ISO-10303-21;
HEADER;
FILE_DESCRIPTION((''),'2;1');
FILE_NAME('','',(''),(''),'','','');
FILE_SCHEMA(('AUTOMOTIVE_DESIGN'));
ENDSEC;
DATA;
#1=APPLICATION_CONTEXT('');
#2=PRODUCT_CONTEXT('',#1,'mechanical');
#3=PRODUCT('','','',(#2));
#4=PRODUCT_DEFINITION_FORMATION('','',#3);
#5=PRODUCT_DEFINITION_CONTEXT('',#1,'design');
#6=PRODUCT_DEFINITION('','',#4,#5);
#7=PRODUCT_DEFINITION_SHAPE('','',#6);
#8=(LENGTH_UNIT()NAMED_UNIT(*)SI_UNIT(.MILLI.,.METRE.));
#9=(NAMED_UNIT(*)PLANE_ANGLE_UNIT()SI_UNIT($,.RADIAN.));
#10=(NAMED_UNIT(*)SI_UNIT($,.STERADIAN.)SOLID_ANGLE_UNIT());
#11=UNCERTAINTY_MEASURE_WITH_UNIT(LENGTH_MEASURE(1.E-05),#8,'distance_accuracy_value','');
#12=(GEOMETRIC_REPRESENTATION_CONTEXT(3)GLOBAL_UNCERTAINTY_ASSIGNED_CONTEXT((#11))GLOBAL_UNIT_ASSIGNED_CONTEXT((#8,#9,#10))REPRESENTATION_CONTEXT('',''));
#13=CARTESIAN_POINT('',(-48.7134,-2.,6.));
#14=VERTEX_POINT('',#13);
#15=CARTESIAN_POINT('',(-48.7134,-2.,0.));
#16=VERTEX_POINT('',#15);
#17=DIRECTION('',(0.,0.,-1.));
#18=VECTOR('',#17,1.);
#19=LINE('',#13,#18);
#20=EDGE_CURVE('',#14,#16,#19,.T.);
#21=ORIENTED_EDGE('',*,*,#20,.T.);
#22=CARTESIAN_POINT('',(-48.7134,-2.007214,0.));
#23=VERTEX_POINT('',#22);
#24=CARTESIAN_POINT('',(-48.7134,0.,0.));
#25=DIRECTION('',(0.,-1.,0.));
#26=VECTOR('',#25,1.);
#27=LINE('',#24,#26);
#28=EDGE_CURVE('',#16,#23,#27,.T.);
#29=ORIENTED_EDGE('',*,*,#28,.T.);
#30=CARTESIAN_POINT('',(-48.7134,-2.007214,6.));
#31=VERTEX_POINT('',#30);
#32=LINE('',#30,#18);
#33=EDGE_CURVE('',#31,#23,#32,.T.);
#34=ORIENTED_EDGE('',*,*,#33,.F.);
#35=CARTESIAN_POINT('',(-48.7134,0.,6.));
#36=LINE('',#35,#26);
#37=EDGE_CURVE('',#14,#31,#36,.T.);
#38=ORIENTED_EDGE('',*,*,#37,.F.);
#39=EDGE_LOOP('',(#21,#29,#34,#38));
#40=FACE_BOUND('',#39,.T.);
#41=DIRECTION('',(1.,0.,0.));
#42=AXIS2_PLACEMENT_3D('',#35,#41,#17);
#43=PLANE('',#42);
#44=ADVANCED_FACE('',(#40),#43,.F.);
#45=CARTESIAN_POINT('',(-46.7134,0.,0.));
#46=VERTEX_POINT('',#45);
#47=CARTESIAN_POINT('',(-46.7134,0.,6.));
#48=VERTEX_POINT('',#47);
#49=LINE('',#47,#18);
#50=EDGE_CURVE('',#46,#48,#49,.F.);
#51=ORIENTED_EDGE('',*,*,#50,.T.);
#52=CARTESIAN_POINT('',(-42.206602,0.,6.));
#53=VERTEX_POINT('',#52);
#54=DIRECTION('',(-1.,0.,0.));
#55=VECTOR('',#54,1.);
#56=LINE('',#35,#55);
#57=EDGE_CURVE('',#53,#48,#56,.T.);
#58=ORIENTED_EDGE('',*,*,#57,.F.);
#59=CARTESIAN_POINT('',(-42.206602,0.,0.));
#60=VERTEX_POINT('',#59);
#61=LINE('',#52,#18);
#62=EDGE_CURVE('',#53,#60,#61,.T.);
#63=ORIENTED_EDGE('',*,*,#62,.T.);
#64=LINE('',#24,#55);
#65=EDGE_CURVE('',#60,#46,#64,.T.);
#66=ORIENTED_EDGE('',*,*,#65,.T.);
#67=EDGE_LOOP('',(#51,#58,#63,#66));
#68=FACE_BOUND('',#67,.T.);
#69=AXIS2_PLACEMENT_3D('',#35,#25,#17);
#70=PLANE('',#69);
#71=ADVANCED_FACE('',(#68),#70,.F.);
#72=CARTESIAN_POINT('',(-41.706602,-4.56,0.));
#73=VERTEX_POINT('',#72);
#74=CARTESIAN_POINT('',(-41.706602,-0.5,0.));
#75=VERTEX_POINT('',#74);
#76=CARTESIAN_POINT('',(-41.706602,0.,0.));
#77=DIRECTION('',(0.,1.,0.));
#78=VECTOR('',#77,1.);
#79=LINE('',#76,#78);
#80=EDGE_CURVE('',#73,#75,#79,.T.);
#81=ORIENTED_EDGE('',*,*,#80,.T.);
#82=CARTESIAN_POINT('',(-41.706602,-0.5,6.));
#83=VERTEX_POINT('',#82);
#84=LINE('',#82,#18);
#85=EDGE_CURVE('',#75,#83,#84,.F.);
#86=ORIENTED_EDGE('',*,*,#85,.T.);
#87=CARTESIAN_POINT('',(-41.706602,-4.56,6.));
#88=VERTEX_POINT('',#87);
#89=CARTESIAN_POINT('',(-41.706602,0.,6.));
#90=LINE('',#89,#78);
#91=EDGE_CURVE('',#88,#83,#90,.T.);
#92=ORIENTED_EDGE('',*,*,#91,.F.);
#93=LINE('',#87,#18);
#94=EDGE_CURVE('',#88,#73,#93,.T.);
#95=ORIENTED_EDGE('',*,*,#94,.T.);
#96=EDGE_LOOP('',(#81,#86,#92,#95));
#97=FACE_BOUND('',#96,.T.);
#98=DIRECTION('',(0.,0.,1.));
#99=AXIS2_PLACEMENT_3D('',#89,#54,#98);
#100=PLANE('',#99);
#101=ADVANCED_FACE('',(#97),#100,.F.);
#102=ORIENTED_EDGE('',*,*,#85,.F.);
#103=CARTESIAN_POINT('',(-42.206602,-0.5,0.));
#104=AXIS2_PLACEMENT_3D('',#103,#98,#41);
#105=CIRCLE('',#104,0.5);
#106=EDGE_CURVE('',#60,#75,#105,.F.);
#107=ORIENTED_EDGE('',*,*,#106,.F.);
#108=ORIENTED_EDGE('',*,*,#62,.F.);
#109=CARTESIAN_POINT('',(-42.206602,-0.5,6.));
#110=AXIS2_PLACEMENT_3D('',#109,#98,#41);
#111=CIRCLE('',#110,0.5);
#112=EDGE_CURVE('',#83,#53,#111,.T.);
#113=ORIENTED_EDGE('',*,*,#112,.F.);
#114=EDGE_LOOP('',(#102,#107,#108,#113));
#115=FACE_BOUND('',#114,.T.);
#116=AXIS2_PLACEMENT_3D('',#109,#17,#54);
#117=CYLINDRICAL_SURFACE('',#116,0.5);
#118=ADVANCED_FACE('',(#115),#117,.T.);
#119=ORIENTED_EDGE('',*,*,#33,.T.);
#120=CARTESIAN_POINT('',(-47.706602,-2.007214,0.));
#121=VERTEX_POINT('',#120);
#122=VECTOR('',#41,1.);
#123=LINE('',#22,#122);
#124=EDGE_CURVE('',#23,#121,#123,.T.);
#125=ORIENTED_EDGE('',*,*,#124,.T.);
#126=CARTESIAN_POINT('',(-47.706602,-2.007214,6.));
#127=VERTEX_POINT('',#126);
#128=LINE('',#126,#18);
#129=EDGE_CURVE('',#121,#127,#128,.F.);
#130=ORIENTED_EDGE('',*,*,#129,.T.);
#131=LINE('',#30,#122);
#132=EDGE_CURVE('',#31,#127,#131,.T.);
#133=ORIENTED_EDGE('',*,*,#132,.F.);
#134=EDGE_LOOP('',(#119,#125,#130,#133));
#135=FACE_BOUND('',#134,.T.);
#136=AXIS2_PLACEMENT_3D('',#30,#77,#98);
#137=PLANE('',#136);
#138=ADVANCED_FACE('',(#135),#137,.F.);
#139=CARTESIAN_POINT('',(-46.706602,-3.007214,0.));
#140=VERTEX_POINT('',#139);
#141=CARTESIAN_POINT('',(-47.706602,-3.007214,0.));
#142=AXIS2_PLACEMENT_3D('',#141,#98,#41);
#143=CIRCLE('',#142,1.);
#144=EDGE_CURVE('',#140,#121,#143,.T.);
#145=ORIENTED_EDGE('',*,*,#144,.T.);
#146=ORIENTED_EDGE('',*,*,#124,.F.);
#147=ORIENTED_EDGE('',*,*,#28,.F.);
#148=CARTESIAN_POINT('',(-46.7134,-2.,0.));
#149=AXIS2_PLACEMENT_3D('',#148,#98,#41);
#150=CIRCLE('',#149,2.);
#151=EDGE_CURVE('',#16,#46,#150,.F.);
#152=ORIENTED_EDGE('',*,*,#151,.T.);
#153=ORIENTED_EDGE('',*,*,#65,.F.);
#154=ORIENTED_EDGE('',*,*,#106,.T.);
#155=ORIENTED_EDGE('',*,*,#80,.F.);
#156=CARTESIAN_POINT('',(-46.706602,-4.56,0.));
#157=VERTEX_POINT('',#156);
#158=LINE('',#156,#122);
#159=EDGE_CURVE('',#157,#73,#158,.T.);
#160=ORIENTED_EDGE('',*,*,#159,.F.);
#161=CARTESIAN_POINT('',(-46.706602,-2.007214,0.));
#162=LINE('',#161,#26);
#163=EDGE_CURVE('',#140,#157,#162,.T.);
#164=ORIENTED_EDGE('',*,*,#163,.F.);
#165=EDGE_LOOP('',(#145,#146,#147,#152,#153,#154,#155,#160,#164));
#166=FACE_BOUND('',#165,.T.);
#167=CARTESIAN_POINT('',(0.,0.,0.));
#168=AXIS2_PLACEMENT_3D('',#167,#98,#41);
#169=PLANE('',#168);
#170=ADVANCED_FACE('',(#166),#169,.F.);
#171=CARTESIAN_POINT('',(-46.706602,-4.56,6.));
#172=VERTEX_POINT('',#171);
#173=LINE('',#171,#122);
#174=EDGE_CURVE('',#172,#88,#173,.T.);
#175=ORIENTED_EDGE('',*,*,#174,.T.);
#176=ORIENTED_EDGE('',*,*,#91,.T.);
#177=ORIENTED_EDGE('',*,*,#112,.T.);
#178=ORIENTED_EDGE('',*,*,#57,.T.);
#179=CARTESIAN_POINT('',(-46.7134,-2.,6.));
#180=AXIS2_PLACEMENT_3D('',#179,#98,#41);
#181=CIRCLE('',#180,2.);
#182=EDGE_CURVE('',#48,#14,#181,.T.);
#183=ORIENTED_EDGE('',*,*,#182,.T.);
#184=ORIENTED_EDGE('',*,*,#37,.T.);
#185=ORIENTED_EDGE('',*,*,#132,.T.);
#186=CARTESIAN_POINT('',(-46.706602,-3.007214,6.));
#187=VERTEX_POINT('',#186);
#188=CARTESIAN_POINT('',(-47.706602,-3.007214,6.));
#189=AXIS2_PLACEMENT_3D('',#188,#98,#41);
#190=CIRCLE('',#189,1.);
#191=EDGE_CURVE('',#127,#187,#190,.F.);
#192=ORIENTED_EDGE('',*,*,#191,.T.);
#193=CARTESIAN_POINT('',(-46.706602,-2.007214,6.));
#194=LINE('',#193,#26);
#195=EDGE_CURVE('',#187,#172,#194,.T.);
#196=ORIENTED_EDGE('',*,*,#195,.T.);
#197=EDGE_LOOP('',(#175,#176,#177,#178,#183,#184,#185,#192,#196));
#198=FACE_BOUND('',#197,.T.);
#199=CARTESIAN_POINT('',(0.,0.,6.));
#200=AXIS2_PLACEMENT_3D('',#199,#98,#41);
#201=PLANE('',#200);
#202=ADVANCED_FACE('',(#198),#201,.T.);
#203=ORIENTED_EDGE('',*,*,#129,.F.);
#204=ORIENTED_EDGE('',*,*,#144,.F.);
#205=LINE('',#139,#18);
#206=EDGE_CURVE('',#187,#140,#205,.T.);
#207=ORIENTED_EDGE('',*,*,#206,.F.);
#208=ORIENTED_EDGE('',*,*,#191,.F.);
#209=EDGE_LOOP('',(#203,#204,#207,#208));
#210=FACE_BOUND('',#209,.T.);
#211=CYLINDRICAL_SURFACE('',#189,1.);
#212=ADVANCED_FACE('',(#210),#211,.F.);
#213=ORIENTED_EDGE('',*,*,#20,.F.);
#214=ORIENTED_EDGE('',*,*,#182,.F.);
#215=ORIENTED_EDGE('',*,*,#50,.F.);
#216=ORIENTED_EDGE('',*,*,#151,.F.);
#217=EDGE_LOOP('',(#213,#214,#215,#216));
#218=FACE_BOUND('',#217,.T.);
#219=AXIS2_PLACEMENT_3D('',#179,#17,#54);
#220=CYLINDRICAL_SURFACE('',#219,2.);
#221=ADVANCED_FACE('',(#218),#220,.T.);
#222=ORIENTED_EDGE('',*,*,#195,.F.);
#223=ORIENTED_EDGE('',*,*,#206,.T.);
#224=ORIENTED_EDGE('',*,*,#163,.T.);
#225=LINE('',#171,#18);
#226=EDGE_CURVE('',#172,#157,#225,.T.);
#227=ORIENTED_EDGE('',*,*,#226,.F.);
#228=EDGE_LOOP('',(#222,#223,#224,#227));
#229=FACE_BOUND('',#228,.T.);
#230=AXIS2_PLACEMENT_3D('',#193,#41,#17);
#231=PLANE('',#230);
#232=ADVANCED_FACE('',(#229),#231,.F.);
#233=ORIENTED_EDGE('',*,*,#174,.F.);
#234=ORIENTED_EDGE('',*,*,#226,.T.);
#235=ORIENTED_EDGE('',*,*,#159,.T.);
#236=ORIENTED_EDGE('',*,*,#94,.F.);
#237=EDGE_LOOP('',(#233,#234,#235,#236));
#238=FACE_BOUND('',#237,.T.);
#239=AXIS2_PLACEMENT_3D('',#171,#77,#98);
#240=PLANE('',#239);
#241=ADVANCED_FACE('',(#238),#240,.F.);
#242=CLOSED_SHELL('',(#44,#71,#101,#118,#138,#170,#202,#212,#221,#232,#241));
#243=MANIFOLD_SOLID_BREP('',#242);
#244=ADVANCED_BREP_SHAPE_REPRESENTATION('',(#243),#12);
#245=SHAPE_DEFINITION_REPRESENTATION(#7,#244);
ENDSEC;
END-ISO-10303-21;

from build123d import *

# Parameters (mm, degrees)
EXTRUDE_1_DEPTH = 6
FILLET_1_R      = 0.5
FILLET_2_R      = 2
FILLET_3_R      = 1


with BuildPart() as part:
    # 草圖1 → 填料-伸長1 (new body)
    with BuildSketch(Plane.XY):
        Polygon((-48.713400366, 0), (-41.70660185, 0), (-41.70660185, -4.56), (-46.70660185, -4.56), (-46.70660185, -2.007214056), (-48.713400366, -2.007214056), align=None)
    extrude(amount=EXTRUDE_1_DEPTH)

    # 圓角1
    fillet_1_edges = [part.edges().sort_by_distance(p)[0] for p in [
        (-41.70660185, 0, 3),
    ]]
    fillet(fillet_1_edges, radius=FILLET_1_R)

    # 圓角2
    fillet_2_edges = [part.edges().sort_by_distance(p)[0] for p in [
        (-48.713400366, 0, 3),
    ]]
    fillet(fillet_2_edges, radius=FILLET_2_R)

    # 圓角3
    fillet_3_edges = [part.edges().sort_by_distance(p)[0] for p in [
        (-46.70660185, -2.007214056, 3),
    ]]
    fillet(fillet_3_edges, radius=FILLET_3_R)


solid = part.part
